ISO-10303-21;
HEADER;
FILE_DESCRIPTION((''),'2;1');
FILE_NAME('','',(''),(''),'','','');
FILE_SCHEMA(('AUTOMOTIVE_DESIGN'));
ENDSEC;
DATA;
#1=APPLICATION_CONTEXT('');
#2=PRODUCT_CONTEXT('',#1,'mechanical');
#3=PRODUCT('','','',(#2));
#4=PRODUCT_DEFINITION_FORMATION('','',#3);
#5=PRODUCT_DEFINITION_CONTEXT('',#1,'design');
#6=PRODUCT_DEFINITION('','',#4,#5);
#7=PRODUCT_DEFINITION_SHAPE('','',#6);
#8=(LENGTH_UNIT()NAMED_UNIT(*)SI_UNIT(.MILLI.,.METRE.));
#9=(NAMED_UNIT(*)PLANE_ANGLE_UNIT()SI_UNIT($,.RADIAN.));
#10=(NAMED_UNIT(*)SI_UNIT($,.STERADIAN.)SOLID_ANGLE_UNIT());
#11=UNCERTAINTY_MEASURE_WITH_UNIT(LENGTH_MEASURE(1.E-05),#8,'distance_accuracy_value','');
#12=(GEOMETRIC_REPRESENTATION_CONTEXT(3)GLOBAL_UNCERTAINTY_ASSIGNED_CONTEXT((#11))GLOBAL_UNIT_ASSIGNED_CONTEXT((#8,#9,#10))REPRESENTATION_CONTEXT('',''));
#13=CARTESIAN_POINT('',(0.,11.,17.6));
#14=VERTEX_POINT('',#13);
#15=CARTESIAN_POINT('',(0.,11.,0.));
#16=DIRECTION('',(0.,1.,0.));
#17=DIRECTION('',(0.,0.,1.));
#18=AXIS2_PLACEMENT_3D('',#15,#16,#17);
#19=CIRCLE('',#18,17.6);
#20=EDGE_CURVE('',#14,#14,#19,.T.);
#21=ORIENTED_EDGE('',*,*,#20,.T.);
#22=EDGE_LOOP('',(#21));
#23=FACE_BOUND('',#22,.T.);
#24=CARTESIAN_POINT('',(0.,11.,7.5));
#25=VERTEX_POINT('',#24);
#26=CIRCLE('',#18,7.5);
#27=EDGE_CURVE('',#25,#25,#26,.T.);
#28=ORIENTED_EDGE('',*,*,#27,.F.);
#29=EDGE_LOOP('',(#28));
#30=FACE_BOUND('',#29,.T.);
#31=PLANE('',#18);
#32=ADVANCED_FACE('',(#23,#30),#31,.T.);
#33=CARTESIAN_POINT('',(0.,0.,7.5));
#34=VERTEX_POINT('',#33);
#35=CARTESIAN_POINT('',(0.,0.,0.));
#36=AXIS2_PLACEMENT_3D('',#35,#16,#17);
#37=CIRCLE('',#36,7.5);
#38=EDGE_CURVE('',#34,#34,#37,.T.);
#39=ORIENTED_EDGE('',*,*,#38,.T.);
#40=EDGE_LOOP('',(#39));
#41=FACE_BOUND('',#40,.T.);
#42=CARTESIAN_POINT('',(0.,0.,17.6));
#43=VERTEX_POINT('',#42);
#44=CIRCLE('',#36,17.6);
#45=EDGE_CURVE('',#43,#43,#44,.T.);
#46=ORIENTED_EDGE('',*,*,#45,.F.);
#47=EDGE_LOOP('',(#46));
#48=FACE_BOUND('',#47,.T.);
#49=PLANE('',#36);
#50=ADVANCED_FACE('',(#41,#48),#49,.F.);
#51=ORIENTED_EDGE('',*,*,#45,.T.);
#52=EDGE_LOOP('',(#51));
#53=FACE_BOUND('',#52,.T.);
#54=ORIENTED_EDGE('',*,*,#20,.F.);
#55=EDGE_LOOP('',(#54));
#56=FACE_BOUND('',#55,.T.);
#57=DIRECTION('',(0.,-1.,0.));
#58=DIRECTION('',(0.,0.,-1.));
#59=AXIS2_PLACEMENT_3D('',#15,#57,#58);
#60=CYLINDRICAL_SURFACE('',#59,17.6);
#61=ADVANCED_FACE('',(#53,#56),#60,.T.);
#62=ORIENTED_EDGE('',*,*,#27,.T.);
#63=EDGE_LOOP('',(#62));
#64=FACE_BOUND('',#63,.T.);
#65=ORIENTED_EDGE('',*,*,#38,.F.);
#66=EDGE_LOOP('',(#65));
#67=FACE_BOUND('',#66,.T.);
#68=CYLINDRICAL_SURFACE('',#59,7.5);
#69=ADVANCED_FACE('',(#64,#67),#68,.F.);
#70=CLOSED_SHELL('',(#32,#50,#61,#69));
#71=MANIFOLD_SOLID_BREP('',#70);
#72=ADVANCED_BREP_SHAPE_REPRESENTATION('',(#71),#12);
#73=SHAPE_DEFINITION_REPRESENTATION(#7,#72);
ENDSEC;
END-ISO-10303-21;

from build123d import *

# Parameters (mm, degrees)
SKETCH1_R           = 17.6
SKETCH1_R_2         = 7.5
BOSS_EXTRUDE1_DEPTH = 11


with BuildPart() as part:
    # Sketch1 → Boss-Extrude1 (new body)
    with BuildSketch(Plane(origin=(0, 0, 0), x_dir=(1, 0, 0), z_dir=(0, 1, 0))):
        with Locations(Location((0, 0, 0), (0, 0, 270))):
            Circle(SKETCH1_R)
        with Locations(Location((0, 0, 0), (0, 0, 270))):
            Circle(SKETCH1_R_2, mode=Mode.SUBTRACT)
    extrude(amount=BOSS_EXTRUDE1_DEPTH)


solid = part.part
